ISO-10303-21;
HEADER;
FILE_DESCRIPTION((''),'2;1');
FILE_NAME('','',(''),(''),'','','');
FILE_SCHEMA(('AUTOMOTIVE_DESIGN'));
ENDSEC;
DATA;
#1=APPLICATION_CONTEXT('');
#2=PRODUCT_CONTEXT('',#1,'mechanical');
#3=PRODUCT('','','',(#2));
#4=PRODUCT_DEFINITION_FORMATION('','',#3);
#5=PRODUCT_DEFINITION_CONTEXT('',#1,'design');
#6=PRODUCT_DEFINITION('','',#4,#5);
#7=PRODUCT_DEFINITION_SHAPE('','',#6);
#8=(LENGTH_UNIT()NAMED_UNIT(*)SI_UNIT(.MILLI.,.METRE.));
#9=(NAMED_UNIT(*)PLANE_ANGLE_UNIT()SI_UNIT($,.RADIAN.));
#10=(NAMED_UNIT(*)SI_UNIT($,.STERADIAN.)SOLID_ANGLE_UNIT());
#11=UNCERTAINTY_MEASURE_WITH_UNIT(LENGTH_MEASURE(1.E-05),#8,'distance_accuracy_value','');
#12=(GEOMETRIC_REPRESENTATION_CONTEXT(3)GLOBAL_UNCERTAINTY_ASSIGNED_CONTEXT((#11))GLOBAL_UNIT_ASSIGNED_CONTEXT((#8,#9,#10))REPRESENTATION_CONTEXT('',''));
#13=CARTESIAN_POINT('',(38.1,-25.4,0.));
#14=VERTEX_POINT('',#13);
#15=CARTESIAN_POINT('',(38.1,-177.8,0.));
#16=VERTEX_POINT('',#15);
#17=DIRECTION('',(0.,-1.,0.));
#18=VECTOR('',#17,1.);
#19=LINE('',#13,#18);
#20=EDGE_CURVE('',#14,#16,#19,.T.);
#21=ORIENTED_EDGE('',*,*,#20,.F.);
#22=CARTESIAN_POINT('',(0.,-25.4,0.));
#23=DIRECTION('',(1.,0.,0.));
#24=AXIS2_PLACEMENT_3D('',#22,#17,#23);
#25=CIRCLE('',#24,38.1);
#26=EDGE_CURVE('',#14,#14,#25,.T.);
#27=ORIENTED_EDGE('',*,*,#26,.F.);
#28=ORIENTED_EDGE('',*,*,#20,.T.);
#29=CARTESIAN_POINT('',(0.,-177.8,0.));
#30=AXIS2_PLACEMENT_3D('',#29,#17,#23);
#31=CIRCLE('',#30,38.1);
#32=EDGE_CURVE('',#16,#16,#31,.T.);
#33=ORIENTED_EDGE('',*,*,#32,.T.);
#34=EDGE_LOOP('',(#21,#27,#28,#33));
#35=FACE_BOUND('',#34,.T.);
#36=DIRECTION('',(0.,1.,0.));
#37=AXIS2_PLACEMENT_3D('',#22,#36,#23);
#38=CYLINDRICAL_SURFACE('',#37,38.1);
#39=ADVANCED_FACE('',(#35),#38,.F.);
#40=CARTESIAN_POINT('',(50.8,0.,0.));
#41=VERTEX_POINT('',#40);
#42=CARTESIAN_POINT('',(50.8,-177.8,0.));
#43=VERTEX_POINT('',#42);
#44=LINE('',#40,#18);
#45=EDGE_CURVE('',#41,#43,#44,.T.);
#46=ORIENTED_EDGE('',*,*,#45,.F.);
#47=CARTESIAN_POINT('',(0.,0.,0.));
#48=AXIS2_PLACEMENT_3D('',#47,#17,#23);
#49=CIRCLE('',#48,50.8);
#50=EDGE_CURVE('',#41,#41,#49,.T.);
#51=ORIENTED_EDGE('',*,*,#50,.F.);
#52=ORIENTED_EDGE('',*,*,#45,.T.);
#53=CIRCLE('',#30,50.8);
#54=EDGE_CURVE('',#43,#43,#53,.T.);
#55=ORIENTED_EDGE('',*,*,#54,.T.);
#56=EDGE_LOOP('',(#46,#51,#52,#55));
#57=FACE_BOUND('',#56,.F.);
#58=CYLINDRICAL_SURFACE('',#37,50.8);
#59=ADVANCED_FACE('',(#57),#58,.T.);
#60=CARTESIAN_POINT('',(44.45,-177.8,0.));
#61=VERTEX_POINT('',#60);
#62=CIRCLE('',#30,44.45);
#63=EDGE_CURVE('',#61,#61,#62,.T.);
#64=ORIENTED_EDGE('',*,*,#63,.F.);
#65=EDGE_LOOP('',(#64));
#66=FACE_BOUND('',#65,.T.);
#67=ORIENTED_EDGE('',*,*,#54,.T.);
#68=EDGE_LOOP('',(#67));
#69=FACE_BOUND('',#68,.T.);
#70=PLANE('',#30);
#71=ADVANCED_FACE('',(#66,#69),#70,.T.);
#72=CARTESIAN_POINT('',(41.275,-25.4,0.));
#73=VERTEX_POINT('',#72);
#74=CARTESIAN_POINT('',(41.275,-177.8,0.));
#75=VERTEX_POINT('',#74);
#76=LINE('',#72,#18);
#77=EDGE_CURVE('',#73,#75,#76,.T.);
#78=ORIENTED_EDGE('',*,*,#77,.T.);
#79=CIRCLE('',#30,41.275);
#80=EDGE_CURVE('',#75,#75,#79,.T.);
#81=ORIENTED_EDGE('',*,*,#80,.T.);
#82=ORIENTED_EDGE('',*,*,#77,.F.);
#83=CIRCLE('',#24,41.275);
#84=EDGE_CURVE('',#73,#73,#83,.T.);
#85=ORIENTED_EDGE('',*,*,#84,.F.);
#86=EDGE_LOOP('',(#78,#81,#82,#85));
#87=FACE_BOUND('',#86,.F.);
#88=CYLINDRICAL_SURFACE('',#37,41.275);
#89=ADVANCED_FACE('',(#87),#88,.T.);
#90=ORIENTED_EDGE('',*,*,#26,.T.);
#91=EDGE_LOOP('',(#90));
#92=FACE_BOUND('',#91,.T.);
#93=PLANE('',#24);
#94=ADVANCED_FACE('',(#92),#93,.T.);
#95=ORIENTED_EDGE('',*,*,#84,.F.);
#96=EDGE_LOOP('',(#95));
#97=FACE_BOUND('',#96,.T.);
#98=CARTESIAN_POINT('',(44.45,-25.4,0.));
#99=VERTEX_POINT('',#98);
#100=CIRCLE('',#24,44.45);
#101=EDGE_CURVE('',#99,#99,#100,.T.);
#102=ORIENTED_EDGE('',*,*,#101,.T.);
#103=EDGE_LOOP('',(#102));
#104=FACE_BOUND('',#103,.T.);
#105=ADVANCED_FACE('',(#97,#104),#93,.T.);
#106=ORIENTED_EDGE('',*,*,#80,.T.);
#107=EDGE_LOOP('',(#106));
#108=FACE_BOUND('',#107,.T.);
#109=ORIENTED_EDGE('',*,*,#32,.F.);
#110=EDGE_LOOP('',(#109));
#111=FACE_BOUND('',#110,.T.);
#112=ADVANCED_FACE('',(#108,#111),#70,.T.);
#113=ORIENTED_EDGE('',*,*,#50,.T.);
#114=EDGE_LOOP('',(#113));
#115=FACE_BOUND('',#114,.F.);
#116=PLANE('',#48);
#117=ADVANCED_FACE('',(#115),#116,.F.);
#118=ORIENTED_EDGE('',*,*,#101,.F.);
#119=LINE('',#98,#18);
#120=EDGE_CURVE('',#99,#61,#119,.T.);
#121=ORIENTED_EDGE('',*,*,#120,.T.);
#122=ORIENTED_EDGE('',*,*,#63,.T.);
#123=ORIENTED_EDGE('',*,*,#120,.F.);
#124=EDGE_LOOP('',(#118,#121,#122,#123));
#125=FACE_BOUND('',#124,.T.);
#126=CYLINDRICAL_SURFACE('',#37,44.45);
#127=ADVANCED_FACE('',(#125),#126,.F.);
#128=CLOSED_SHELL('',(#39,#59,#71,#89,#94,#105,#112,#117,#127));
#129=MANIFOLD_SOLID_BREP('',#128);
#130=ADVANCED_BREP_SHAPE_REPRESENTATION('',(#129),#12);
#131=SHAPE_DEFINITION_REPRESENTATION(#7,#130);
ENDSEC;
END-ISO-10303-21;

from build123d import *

# Parameters (mm, degrees)
F0_R     = 50.8
F1_DEPTH = 25.4
F2_R     = 50.8
F2_R_2   = 44.45
F2_R_3   = 41.275
F2_R_4   = 38.1
F3_DEPTH = 152.4


with BuildPart() as f1:
    # F0 (on Front) → F1 (new body)
    with BuildSketch(Plane.XZ):
        Circle(F0_R)
    extrude(amount=F1_DEPTH)

    # F2 (on face) → F3 (join)
    with BuildSketch(Plane.XZ.offset(25.4)):
        Circle(F2_R)
        Circle(F2_R_2, mode=Mode.SUBTRACT)
        Circle(F2_R_3)
        Circle(F2_R_4, mode=Mode.SUBTRACT)
    extrude(amount=F3_DEPTH)


solid = f1.part
